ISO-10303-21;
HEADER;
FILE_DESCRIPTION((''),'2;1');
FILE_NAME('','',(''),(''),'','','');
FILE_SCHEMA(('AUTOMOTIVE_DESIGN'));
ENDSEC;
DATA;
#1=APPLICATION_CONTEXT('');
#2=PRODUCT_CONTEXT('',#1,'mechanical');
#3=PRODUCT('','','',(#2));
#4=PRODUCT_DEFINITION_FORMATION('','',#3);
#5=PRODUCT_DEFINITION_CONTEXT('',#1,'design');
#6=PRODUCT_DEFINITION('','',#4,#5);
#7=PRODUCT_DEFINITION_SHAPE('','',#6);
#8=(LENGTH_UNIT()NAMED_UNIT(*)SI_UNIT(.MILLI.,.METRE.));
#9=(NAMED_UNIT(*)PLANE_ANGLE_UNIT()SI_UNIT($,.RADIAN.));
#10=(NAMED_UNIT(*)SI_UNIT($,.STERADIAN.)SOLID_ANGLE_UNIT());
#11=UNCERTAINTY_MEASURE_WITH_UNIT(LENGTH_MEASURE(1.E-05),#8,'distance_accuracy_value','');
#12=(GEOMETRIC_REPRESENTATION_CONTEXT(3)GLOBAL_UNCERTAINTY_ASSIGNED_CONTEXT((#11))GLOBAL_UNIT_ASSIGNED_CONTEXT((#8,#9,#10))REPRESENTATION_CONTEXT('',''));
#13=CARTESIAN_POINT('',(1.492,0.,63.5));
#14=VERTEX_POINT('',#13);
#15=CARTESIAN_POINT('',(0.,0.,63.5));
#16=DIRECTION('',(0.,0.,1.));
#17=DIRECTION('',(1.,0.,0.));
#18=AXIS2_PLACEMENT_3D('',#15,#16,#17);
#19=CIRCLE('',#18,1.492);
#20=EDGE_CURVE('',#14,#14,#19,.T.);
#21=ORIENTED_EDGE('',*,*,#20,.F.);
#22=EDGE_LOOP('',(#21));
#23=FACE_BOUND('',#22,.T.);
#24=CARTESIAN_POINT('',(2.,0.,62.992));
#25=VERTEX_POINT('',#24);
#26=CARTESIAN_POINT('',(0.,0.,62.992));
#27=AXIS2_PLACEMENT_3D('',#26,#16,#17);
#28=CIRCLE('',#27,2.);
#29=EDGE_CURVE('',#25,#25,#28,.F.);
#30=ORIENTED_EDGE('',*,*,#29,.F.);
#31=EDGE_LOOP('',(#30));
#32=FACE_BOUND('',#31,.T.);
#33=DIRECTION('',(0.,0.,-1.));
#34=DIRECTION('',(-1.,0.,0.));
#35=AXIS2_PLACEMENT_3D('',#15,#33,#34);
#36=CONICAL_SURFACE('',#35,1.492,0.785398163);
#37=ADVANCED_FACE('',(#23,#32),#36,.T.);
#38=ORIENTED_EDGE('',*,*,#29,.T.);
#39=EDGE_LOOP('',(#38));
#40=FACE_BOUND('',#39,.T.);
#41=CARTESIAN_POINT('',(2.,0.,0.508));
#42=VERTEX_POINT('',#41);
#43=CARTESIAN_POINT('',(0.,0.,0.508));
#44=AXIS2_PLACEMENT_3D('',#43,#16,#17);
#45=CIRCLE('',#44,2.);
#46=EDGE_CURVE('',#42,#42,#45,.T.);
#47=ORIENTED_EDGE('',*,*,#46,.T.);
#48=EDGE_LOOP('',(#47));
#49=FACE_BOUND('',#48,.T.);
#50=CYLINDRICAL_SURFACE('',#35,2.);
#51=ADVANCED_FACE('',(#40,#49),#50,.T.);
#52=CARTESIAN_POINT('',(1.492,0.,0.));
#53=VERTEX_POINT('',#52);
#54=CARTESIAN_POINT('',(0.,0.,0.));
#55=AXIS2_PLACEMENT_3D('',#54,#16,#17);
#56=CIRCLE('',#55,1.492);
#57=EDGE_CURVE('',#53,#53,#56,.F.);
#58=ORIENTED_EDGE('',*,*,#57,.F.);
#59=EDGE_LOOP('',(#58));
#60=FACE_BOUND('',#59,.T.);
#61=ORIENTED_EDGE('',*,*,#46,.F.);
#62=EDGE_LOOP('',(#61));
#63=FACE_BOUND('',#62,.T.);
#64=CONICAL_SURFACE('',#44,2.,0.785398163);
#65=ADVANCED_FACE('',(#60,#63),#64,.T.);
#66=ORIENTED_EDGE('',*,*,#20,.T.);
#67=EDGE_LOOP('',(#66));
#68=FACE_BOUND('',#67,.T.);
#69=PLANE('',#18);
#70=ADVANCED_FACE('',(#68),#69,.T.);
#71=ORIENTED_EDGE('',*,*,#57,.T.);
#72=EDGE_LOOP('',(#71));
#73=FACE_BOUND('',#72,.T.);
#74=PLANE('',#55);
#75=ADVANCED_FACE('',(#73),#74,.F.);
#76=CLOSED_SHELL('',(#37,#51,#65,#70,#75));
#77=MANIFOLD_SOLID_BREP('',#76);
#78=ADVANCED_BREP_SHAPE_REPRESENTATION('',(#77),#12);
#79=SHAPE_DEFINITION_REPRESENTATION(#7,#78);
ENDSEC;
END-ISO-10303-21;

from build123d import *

# Parameters (mm, degrees)
SKETCH1_R           = 2
BOSS_EXTRUDE1_DEPTH = 63.5
CHAMFER1_SIZE       = 0.508


with BuildPart() as part:
    # Sketch1 → Boss-Extrude1 (new body)
    with BuildSketch(Plane.XY):
        Circle(SKETCH1_R)
    extrude(amount=BOSS_EXTRUDE1_DEPTH)

    # Chamfer1
    chamfer1_edges = [part.edges().sort_by_distance(p)[0] for p in [
        (-2, 0, 0),
        (-2, 0, 63.5),
    ]]
    chamfer(chamfer1_edges, length=CHAMFER1_SIZE)


solid = part.part
